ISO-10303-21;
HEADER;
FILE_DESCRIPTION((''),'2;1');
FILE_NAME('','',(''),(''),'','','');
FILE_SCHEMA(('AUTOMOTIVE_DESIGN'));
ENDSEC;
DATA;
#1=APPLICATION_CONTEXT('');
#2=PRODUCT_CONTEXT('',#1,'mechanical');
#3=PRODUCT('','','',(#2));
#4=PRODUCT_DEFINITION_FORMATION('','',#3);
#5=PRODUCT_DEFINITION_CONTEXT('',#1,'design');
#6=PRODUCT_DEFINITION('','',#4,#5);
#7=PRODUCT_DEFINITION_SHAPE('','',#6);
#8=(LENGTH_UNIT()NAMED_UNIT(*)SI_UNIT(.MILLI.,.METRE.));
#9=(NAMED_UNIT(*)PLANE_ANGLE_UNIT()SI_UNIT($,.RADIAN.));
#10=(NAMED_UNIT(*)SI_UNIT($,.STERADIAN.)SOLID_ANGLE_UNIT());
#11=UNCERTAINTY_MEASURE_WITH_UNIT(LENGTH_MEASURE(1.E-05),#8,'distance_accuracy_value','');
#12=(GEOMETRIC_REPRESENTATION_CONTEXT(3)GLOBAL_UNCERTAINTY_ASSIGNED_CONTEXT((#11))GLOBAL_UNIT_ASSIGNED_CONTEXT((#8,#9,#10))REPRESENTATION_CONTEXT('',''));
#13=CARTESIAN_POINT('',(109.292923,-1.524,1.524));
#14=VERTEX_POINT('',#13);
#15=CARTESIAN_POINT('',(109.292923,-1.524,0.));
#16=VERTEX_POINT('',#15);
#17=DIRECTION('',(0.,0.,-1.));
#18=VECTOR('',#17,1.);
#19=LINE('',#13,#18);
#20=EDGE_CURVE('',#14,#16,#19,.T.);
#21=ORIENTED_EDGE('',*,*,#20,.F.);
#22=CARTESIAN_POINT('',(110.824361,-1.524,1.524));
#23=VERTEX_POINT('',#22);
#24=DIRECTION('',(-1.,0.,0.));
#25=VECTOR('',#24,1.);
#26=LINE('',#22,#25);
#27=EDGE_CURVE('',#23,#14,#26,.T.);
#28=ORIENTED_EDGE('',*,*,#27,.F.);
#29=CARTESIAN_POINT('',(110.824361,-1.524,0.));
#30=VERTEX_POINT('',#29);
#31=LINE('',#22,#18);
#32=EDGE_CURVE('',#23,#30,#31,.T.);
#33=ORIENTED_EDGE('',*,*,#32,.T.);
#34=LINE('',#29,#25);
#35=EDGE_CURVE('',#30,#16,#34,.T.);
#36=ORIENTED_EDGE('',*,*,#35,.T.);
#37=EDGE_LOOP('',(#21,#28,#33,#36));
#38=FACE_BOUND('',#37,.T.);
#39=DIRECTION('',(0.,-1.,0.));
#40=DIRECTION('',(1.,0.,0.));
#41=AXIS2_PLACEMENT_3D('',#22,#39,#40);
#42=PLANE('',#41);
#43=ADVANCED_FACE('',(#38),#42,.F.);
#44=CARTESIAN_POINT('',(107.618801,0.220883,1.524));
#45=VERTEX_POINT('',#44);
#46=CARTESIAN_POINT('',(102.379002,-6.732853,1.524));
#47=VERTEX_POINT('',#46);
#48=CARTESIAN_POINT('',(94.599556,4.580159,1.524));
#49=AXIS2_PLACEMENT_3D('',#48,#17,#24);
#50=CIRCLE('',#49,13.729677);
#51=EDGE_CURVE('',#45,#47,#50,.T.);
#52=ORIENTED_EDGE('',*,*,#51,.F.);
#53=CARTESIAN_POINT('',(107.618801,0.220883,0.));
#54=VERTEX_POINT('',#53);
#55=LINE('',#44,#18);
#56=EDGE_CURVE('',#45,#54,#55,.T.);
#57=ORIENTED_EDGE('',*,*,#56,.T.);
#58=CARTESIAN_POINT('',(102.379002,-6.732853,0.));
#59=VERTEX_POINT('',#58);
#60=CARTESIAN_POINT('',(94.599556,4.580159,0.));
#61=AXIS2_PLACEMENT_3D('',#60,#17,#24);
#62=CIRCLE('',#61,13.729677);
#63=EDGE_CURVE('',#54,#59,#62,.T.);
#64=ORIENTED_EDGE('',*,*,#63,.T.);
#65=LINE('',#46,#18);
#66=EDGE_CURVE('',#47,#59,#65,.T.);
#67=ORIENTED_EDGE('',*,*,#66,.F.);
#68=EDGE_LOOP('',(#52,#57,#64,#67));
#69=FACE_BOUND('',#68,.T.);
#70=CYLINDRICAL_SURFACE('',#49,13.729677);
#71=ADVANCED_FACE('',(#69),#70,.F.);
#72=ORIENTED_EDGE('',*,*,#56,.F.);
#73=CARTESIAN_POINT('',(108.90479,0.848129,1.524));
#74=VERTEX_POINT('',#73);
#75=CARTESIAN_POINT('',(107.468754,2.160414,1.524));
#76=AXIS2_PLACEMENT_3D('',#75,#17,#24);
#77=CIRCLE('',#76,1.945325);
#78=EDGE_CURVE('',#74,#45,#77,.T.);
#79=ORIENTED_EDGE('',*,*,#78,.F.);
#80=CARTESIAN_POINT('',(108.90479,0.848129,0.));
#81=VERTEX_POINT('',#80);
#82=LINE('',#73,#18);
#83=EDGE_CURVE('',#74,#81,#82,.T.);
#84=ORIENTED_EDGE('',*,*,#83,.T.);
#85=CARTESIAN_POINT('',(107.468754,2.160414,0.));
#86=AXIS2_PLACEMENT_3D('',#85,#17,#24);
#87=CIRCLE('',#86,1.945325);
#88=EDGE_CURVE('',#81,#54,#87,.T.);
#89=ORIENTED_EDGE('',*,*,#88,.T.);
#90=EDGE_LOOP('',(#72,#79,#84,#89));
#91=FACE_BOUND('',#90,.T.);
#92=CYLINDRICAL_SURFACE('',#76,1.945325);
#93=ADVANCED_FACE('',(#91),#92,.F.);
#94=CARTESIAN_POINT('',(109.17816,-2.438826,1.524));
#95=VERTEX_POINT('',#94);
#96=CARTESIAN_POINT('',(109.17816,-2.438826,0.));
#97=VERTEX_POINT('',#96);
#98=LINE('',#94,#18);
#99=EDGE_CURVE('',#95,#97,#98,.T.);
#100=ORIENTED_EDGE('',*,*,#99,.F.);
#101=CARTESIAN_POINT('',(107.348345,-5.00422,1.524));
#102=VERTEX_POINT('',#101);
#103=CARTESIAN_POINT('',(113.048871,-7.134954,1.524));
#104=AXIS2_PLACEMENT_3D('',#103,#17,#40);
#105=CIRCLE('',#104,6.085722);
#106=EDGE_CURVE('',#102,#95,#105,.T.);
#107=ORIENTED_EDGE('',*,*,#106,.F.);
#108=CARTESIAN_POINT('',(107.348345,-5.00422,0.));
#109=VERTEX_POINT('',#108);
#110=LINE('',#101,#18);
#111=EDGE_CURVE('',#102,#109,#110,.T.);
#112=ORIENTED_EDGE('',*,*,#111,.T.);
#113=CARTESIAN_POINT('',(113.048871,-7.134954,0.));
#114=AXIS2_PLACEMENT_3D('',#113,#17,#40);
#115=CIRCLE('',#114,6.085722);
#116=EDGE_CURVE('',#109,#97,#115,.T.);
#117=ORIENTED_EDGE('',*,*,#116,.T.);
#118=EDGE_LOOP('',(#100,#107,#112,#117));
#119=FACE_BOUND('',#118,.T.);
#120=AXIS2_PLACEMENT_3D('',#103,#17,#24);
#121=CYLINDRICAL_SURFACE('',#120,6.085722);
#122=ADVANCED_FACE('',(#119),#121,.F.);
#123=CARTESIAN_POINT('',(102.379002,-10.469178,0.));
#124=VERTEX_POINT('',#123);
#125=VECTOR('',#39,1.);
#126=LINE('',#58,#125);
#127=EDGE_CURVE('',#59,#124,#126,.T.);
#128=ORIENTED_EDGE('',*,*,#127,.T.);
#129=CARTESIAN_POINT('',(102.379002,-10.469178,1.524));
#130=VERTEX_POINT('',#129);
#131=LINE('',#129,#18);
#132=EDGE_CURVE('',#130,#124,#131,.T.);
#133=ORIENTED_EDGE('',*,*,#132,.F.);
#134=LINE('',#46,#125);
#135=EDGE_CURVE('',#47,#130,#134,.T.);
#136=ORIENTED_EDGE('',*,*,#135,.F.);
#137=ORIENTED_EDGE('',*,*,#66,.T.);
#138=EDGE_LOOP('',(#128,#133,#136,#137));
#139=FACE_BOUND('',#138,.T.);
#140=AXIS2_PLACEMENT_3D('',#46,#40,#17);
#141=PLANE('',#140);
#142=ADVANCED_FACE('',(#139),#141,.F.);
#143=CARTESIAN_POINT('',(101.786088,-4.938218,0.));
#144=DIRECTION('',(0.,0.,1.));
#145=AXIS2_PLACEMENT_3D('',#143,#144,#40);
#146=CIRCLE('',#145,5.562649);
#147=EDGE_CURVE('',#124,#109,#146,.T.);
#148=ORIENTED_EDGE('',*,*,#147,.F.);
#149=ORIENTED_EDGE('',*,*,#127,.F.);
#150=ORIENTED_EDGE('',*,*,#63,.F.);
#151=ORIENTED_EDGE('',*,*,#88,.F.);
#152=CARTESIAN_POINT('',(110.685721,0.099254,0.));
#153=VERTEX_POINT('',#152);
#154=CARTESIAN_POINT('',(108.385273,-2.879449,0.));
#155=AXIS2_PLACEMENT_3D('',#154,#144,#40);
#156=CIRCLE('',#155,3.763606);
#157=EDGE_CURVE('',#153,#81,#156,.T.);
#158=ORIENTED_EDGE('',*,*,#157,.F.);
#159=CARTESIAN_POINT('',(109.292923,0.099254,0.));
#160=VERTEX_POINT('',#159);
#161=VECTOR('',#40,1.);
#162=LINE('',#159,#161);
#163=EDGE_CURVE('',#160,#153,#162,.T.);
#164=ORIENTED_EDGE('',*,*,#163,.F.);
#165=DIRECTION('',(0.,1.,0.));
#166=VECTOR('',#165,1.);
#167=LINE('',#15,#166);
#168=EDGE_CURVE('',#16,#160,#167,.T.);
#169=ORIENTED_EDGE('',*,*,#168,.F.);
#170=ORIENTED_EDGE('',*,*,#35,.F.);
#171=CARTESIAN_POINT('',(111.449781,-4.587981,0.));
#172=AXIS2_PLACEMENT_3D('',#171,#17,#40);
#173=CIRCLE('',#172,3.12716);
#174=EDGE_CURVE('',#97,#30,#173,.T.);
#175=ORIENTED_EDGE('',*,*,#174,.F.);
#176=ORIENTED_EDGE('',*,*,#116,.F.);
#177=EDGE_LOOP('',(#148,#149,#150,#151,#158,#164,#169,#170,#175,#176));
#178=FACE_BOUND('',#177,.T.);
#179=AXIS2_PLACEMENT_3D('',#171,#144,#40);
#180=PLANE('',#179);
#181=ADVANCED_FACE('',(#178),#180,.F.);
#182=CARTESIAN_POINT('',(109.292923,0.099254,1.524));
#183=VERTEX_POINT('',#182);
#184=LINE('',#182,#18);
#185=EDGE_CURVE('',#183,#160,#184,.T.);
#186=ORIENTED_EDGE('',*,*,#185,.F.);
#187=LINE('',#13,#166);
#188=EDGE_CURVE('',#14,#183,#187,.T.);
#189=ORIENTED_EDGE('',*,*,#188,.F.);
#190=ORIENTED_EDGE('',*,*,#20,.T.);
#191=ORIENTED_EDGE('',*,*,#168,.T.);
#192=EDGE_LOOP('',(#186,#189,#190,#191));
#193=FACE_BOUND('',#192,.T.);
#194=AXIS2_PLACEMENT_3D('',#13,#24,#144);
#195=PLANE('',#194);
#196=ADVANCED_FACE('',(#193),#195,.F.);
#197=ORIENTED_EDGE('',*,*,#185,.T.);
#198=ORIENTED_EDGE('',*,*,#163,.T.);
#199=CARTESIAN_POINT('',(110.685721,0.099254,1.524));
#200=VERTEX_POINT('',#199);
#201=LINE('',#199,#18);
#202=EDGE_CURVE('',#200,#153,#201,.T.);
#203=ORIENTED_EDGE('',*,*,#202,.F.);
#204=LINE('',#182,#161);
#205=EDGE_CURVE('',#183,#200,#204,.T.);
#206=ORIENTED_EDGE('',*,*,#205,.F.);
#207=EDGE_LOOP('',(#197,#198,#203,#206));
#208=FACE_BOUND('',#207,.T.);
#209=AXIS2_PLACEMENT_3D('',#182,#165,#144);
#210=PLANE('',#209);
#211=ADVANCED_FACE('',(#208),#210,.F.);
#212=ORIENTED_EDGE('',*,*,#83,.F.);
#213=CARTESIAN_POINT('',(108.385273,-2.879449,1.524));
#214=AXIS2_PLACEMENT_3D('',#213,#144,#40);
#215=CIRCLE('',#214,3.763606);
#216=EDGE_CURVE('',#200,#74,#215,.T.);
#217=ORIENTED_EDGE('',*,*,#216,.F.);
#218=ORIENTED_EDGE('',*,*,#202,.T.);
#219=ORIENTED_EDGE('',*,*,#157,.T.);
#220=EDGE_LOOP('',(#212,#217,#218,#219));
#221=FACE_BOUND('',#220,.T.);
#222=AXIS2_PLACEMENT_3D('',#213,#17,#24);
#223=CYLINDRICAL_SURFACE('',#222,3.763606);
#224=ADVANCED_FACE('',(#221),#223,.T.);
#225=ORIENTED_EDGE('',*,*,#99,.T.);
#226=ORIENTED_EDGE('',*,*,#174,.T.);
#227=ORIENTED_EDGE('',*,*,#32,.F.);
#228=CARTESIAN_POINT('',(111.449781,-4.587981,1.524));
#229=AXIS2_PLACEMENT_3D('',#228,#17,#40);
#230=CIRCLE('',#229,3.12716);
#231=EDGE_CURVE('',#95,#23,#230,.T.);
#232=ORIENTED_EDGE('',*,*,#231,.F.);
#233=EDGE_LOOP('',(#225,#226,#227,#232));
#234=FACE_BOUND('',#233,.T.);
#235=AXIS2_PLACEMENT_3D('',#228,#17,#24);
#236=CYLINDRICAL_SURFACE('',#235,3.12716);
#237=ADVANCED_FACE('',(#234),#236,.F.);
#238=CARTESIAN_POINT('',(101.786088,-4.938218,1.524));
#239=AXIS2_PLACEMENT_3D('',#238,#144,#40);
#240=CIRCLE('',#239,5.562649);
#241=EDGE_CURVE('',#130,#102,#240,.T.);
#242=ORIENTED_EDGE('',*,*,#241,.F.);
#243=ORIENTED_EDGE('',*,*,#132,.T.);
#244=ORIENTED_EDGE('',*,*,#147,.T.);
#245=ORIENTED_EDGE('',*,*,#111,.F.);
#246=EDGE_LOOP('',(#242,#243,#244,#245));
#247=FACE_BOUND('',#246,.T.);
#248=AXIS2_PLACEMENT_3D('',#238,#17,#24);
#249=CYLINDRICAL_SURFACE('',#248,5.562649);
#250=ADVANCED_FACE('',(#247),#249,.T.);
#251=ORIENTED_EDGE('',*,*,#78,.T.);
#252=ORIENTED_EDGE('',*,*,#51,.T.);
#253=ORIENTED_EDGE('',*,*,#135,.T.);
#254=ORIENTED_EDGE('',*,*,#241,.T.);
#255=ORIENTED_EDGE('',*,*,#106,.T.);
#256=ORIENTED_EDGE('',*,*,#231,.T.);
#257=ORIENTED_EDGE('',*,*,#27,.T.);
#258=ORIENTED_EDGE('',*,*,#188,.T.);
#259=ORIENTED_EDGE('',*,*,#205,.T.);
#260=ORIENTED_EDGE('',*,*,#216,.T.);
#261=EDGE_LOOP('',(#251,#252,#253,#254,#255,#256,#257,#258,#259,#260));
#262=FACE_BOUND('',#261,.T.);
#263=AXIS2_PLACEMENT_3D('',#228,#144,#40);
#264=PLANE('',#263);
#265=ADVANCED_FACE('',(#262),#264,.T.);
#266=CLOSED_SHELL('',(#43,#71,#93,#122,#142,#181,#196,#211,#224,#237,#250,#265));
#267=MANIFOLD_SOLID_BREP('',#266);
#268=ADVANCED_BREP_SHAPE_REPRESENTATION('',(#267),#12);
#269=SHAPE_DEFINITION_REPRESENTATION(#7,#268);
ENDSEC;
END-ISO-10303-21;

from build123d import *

# Parameters (mm, degrees)
BOSS_EXTRUDE1_DEPTH = 1.524


with BuildPart() as part:
    # Sketch1 → Boss-Extrude1 (new body)
    with BuildSketch(Plane.XY):
        with BuildLine():
            Line((110.824360774, -1.524), (109.29292347, -1.524))
            Line((109.29292347, -1.524), (109.29292347, 0.099254425))
            Line((109.29292347, 0.099254425), (110.685720546, 0.099254425))
            ThreePointArc((110.685720546, 0.099254425), (109.844126395, 0.589914025), (108.904790048, 0.848128638))
            ThreePointArc((108.904790048, 0.848128638), (108.321557599, 0.411980775), (107.618800979, 0.220883469))
            ThreePointArc((107.618800979, 0.220883469), (105.564728066, -3.682348009), (102.379001913, -6.732852948))
            Line((102.379001913, -6.732852948), (102.379001913, -10.469177864))
            ThreePointArc((102.379001913, -10.469177864), (105.901664911, -8.680555585), (107.348345234, -5.004220414))
            ThreePointArc((107.348345234, -5.004220414), (108.094332128, -3.601037602), (109.178159994, -2.438826088))
            ThreePointArc((109.178159994, -2.438826088), (109.930755444, -1.854541621), (110.824360774, -1.524))
        make_face()
    extrude(amount=BOSS_EXTRUDE1_DEPTH)


solid = part.part
